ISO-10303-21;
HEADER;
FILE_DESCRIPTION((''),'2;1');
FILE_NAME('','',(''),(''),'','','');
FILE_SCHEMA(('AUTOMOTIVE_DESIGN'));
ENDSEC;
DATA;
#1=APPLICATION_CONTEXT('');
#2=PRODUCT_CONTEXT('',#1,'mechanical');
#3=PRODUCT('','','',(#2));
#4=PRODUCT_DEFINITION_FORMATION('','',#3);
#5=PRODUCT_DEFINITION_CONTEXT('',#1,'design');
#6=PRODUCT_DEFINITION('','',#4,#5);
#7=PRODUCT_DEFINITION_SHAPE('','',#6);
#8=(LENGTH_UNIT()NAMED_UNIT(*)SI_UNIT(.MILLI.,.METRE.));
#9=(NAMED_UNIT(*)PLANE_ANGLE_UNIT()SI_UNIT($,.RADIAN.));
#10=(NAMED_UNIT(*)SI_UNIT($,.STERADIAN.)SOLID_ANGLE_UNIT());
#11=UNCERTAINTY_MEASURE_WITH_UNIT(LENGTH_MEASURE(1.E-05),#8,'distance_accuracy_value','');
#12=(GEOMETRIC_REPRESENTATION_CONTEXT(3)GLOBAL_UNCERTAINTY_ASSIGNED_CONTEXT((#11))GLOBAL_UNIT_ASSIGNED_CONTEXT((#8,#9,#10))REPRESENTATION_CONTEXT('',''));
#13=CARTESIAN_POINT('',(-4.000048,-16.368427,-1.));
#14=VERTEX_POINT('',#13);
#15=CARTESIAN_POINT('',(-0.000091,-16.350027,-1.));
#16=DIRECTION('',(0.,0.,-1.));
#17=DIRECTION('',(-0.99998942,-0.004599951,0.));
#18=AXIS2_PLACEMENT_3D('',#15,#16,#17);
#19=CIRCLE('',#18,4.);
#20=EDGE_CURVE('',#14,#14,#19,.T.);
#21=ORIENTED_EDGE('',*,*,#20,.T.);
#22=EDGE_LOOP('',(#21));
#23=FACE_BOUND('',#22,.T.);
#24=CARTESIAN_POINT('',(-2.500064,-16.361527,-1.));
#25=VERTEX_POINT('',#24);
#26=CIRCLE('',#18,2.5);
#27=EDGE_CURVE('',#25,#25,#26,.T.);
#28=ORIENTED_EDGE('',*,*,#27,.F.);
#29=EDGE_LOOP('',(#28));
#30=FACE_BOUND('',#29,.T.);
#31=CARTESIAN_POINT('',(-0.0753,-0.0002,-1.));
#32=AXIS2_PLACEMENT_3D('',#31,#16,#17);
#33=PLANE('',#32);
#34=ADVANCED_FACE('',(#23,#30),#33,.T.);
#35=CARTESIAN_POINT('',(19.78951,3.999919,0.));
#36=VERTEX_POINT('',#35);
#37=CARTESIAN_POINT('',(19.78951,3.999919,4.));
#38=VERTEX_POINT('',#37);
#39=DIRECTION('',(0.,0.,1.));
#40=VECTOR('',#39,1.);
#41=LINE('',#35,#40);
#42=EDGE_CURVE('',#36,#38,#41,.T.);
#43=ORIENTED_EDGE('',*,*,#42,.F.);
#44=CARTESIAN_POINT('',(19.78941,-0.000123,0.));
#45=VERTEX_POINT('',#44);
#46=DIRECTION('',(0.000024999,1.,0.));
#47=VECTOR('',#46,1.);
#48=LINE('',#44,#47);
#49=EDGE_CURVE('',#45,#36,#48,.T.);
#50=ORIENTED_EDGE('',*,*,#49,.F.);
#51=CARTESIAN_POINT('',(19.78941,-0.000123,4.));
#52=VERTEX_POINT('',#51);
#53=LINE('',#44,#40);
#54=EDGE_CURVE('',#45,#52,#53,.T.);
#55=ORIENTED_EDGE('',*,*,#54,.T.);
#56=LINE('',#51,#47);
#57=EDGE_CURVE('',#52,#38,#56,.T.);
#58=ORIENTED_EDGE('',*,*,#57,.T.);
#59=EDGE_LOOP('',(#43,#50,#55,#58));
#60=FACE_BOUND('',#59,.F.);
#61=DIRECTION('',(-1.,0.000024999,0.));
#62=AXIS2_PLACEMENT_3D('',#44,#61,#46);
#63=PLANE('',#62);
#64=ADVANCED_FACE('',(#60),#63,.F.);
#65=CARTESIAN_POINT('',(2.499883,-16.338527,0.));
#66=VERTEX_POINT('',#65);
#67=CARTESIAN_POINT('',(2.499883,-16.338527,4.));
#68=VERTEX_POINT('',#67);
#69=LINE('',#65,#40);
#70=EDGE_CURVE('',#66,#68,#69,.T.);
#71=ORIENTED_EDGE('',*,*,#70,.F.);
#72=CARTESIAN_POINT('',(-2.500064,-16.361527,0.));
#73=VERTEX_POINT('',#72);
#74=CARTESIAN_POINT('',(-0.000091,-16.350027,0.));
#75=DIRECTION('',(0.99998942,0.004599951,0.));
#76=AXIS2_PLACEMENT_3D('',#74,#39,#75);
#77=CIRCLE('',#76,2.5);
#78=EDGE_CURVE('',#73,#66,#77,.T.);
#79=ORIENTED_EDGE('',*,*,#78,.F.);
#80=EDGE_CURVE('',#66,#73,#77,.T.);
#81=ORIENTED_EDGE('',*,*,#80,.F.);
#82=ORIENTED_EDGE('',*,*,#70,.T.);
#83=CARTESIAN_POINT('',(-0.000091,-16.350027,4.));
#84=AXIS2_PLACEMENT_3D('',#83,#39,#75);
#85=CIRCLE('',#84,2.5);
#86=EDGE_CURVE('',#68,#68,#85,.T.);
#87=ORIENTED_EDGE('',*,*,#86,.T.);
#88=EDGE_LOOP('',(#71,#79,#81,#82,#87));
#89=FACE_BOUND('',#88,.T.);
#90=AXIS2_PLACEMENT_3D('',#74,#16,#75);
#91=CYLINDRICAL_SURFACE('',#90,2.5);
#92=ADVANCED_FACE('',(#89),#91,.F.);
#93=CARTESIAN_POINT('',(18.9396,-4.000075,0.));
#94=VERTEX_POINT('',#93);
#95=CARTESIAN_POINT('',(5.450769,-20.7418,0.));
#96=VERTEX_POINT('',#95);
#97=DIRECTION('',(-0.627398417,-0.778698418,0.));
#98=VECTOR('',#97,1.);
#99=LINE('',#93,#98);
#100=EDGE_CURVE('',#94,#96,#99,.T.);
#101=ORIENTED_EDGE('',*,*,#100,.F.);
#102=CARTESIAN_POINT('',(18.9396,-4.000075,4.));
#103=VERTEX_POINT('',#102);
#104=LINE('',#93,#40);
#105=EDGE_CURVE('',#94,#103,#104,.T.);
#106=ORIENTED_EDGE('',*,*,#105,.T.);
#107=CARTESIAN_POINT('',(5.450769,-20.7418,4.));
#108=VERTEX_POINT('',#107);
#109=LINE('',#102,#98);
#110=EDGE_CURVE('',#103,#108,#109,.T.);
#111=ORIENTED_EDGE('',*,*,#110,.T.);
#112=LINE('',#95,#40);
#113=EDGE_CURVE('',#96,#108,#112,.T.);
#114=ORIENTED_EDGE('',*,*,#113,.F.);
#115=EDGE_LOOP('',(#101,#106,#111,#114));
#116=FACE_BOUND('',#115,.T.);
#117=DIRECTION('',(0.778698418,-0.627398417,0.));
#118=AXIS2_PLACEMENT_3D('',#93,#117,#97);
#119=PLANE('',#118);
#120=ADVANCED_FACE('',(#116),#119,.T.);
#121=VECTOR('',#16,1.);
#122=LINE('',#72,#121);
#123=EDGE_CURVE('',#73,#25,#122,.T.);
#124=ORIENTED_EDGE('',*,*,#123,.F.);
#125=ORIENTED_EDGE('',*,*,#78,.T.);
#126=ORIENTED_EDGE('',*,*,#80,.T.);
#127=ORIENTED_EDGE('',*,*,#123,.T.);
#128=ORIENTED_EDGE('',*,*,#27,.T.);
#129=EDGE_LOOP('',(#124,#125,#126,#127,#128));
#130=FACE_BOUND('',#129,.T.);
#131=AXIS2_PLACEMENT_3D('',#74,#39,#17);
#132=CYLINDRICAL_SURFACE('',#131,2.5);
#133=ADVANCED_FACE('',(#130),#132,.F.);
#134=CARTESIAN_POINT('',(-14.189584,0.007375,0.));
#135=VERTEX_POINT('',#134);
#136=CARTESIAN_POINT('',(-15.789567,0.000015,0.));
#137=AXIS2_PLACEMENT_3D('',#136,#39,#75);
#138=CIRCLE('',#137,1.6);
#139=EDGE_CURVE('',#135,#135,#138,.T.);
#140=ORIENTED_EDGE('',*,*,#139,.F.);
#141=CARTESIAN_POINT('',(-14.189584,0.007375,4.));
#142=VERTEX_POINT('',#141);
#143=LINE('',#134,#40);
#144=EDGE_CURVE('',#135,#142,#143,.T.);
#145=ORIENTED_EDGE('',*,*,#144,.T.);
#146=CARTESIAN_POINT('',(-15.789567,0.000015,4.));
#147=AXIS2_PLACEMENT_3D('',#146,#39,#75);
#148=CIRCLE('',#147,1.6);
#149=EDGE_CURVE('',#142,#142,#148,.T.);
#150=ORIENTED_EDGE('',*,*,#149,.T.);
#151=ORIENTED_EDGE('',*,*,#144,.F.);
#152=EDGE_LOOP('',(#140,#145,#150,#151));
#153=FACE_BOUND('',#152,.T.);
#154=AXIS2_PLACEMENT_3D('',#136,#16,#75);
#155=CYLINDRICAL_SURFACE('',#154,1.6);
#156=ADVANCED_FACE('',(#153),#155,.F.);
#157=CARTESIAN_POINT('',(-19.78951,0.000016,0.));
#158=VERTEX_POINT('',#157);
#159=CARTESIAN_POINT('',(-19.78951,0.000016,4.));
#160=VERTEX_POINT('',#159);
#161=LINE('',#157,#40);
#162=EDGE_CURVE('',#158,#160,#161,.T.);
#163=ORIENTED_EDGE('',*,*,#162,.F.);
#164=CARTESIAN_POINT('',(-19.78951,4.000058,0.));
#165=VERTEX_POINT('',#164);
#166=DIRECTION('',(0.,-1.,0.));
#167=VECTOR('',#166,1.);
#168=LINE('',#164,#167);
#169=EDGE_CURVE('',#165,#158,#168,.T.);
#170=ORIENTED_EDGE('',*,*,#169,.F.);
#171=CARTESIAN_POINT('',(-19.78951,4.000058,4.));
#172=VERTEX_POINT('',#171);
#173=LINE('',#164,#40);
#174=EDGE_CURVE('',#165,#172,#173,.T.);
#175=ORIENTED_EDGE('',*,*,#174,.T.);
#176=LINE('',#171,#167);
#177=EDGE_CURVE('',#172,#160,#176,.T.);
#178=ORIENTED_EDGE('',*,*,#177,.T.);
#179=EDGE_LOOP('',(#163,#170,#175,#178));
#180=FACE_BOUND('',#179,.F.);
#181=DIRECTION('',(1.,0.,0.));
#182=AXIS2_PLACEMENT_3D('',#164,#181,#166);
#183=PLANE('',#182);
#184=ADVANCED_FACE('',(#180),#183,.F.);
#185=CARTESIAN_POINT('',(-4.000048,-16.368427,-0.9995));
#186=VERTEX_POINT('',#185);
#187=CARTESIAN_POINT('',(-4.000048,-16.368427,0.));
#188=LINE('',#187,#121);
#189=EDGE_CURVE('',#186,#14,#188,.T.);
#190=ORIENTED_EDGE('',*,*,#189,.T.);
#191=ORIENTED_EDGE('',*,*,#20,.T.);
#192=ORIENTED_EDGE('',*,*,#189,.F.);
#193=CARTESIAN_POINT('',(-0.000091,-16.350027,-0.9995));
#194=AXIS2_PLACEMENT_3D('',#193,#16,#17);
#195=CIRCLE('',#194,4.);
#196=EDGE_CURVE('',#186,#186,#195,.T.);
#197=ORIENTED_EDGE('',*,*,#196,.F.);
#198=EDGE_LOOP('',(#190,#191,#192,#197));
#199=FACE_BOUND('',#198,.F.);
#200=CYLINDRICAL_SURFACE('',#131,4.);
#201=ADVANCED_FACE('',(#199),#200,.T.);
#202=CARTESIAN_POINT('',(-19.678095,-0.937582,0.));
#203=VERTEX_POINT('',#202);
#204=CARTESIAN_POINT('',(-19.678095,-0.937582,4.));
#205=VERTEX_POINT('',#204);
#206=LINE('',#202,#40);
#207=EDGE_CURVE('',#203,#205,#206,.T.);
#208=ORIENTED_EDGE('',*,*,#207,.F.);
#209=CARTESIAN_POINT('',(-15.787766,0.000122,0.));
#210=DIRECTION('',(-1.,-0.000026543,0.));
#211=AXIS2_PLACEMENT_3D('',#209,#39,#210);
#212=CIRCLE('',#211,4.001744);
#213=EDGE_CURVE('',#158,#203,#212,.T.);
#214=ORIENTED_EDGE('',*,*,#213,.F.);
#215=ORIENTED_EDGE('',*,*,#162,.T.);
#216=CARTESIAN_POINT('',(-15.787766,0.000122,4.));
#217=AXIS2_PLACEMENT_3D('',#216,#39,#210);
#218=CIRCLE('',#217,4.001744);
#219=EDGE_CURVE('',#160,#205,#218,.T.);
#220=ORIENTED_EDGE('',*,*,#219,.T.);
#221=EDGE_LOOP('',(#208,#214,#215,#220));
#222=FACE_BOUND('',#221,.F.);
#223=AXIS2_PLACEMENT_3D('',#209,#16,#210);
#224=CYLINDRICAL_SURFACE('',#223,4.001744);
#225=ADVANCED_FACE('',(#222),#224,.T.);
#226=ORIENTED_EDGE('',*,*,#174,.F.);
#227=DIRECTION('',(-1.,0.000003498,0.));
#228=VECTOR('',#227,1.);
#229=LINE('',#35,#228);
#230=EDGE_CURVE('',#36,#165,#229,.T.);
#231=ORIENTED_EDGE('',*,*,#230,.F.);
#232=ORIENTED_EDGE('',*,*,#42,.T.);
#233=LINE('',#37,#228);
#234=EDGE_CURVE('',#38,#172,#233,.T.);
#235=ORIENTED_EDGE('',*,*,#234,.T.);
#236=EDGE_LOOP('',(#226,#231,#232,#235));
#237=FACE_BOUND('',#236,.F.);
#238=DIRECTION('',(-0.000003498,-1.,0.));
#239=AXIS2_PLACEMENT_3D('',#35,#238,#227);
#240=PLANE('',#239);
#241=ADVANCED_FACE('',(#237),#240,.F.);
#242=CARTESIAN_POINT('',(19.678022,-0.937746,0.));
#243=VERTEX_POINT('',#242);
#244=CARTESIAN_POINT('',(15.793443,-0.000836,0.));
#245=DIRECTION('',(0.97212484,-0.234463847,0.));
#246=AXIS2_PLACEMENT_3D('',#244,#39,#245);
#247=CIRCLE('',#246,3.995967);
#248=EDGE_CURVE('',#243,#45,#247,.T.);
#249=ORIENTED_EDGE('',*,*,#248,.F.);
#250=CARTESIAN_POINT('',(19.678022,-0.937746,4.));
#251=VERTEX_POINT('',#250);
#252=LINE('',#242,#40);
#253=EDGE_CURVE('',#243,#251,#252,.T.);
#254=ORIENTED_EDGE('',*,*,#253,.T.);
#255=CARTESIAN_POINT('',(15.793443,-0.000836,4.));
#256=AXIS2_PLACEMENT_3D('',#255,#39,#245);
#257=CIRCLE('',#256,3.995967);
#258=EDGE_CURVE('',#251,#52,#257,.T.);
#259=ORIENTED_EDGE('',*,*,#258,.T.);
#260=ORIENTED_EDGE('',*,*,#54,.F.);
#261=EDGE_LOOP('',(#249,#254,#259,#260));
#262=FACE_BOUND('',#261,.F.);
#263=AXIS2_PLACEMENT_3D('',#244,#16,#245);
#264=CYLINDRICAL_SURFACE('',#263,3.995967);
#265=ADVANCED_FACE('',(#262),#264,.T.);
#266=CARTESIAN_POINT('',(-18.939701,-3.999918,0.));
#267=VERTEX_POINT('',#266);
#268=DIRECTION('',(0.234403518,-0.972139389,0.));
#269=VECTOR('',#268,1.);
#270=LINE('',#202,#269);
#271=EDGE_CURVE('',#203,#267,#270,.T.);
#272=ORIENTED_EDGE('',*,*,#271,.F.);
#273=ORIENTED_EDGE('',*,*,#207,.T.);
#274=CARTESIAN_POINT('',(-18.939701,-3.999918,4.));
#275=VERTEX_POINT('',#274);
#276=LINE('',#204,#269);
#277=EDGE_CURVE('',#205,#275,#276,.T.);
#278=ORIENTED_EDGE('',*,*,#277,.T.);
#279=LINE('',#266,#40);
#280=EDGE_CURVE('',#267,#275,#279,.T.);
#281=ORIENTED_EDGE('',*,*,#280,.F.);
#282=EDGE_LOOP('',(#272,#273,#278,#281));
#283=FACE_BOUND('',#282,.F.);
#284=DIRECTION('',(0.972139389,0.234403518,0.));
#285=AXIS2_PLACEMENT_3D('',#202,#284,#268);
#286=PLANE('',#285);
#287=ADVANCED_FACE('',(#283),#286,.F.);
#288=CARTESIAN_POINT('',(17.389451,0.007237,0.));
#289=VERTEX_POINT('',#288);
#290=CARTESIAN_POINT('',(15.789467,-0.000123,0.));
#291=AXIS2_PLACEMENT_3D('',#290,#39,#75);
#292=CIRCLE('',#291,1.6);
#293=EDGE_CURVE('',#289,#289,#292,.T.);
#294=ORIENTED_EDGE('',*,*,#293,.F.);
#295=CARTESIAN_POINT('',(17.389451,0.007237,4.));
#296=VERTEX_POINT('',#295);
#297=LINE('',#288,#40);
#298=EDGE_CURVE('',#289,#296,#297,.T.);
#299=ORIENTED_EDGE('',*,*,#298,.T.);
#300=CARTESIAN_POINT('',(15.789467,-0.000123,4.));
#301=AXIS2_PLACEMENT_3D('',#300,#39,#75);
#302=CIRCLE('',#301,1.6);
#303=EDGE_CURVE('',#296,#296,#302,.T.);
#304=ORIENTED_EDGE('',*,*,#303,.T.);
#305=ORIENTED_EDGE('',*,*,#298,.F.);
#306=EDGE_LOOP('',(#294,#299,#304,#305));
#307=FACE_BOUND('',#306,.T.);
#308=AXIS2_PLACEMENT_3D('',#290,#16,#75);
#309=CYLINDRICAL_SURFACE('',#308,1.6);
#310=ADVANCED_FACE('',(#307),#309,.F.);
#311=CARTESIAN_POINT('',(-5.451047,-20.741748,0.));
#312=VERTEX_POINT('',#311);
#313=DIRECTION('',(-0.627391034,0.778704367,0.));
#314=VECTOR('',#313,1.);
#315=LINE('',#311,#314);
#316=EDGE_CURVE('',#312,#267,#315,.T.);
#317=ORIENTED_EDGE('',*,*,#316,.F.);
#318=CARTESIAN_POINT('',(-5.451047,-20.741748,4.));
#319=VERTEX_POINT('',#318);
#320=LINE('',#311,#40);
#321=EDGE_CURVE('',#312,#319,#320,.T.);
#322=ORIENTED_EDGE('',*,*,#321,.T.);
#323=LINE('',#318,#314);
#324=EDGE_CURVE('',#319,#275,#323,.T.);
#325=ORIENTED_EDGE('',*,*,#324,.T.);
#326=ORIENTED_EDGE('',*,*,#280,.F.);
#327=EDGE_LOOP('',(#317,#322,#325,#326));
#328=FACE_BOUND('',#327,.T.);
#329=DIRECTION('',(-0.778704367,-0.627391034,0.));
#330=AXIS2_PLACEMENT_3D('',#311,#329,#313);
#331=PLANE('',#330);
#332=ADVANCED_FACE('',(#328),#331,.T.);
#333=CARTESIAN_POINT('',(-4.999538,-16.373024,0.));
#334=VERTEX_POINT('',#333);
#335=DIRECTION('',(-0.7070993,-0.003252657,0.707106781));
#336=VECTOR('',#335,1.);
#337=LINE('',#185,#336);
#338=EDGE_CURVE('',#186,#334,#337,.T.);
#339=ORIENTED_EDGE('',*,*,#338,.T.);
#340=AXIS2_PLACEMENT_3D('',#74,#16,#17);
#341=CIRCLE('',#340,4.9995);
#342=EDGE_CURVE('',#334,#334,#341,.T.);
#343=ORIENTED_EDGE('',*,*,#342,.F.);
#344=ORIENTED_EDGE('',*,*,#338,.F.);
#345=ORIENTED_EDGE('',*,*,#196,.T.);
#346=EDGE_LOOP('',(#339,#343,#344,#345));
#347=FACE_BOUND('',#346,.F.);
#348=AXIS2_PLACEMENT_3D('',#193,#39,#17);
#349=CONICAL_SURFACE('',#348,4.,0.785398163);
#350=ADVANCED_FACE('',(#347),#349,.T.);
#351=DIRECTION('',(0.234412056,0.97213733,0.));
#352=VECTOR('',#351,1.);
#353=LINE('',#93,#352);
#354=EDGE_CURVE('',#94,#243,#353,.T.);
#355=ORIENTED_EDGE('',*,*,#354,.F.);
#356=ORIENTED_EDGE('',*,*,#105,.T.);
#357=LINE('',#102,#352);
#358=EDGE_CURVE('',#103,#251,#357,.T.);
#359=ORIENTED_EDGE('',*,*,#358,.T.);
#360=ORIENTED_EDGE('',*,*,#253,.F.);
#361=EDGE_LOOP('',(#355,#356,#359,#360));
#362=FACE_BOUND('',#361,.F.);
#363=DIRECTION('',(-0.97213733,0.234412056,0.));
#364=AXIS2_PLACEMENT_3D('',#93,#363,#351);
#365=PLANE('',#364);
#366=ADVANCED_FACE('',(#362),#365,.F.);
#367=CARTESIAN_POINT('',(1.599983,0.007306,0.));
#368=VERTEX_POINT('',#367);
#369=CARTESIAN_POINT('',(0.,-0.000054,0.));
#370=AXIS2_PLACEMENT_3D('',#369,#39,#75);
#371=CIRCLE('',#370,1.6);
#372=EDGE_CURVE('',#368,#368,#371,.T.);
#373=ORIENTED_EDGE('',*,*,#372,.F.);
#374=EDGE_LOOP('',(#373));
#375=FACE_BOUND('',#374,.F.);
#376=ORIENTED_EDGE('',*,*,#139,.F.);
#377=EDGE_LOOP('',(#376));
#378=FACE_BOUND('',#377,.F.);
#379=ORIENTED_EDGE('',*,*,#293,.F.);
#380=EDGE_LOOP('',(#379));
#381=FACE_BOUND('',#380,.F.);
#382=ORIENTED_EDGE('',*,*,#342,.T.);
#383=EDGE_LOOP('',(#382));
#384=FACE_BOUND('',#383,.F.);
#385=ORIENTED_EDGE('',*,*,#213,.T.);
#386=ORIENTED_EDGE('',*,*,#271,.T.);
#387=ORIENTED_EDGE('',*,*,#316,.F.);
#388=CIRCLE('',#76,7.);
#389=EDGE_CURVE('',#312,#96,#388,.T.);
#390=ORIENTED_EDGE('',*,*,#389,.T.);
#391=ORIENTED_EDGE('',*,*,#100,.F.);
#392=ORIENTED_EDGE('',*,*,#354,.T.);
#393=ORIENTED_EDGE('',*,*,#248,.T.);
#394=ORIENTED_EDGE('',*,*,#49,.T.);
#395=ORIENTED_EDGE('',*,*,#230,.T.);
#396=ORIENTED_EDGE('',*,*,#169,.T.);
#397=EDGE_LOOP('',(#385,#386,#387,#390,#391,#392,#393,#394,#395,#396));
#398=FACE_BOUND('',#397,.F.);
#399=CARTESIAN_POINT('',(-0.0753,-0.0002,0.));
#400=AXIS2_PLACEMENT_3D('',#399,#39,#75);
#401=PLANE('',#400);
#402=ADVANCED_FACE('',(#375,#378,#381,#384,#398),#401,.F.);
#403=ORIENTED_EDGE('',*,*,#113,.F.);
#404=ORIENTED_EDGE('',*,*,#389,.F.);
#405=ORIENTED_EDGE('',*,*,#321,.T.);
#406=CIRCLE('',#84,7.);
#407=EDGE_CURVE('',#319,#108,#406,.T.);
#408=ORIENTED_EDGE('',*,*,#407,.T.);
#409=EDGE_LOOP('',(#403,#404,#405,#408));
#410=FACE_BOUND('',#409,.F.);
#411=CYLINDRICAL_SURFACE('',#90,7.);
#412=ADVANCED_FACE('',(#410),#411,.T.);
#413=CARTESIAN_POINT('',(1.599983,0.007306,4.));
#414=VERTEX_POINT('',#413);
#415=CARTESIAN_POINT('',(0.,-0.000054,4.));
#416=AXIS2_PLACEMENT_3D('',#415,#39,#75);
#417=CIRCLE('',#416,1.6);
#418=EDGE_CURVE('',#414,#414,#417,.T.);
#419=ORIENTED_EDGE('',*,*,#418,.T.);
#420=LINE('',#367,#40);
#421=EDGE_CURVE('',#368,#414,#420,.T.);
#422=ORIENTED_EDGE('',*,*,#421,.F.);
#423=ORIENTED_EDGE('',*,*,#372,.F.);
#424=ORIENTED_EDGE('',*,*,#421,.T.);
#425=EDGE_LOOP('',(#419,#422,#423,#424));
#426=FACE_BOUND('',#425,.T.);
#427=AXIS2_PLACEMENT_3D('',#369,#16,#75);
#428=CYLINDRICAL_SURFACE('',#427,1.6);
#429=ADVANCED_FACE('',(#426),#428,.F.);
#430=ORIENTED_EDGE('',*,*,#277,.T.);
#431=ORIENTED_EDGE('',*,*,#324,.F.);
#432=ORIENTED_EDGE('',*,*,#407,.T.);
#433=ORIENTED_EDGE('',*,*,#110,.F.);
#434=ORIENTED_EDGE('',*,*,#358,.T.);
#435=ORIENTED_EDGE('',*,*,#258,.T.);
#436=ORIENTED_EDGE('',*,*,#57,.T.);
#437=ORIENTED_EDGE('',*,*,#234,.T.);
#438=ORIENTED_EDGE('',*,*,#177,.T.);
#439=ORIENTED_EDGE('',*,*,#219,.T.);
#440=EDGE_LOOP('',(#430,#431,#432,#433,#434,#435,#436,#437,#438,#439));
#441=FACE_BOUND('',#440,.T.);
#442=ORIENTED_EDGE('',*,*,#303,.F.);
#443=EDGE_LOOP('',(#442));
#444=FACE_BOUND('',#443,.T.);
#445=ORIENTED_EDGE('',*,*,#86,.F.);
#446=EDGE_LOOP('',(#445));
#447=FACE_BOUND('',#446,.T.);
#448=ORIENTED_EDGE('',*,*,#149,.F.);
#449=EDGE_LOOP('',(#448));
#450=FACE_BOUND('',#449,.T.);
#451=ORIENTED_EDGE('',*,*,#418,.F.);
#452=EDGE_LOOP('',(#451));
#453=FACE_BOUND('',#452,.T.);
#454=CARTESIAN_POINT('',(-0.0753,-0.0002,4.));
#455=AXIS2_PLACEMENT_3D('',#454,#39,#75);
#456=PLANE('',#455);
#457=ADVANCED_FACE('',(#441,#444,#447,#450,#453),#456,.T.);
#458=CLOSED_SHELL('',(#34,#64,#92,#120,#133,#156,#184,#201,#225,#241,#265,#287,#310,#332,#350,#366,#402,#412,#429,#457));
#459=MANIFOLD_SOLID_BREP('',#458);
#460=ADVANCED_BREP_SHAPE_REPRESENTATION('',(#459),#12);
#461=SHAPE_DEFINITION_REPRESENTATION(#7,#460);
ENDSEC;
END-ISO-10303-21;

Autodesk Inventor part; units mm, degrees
ref_plane "YZ Plane" through (0, 0, 0) normal (1, 0, 0) x (0, 1, 0)
ref_plane "XZ Plane" through (0, 0, 0) normal (0, 1, 0) x (-1, 0, 0)
ref_plane "XY Plane" through (0, 0, 0) normal (0, 0, 1) x (1, 0, 0)
ref_plane "作業平面1" through (-0.0753, -0.0002, 0) normal (0, 0, 1) x (1, 0.0046, 0)
sketch "スケッチ1" plane through (-0.0753, -0.0002, 0) normal (0, 0, 1) x (1, 0.0046, 0)
  line L0 (19.883, 3.9087) -> (-19.6956, 4.0909) projected
  circle A0 centre (-15.7141, 0.0725) radius 1.25 construction
  circle A1 centre (0.0753, -0.0002) radius 1.25 construction
  circle A2 centre (15.8646, -0.0729) radius 1.25 construction
  circle A3 centre (0, -16.35) radius 2.5 projected
  circle A4 centre (0, -16.35) radius 7
  line L1 (18.9963, -4.0873) -> (5.4306, -20.7668)
  line L2 (-5.4711, -20.7166) -> (-18.8826, -3.9129)
  circle A5 centre (15.8646, -0.0729) radius 1.6
  circle A6 centre (0.0753, -0.0002) radius 1.6
  circle A7 centre (-15.7141, 0.0725) radius 1.6
  line L3 (-19.6069, -0.8472) -> (-18.8826, -3.9129) projected
  line L4 (-18.8826, -3.9129) -> (18.9963, -4.0873) projected
  line L5 (18.9963, -4.0873) -> (19.7488, -1.0284) projected
  arc A8 (19.7488, -1.0284) -> (19.8645, -0.0913) centre (15.8646, -0.0729) ccw projected
  line L6 (19.8645, -0.0913) -> (19.883, 3.9087) projected
  line L7 (-19.6956, 4.0909) -> (-19.714, 0.0909) projected
  arc A9 (-19.714, 0.0909) -> (-19.6069, -0.8472) centre (-15.7141, 0.0725) ccw projected
  point P0 (0.0753, -0.0002)
  dimension "d0" = 14
  dimension "d1" = 3.2
extrude "押し出し1" add sketch "スケッチ1" along normal blind 4
sketch "スケッチ2" plane through (-0.0753, -0.0002, 0) normal (0, 0, -1) x (-1, -0.0046, 0)
  circle A0 centre (0, -16.35) radius 2.5 projected
  circle A1 centre (0, -16.35) radius 4
  point P0 (-0.0753, -0.0002)
  dimension "d4" = 8
extrude "押し出し2" add sketch "スケッチ2" along normal blind 1
chamfer "面取り1" distance 1 angle 45 1 edges at (4, -16.3316, 0)
properties part number "slider_02"
